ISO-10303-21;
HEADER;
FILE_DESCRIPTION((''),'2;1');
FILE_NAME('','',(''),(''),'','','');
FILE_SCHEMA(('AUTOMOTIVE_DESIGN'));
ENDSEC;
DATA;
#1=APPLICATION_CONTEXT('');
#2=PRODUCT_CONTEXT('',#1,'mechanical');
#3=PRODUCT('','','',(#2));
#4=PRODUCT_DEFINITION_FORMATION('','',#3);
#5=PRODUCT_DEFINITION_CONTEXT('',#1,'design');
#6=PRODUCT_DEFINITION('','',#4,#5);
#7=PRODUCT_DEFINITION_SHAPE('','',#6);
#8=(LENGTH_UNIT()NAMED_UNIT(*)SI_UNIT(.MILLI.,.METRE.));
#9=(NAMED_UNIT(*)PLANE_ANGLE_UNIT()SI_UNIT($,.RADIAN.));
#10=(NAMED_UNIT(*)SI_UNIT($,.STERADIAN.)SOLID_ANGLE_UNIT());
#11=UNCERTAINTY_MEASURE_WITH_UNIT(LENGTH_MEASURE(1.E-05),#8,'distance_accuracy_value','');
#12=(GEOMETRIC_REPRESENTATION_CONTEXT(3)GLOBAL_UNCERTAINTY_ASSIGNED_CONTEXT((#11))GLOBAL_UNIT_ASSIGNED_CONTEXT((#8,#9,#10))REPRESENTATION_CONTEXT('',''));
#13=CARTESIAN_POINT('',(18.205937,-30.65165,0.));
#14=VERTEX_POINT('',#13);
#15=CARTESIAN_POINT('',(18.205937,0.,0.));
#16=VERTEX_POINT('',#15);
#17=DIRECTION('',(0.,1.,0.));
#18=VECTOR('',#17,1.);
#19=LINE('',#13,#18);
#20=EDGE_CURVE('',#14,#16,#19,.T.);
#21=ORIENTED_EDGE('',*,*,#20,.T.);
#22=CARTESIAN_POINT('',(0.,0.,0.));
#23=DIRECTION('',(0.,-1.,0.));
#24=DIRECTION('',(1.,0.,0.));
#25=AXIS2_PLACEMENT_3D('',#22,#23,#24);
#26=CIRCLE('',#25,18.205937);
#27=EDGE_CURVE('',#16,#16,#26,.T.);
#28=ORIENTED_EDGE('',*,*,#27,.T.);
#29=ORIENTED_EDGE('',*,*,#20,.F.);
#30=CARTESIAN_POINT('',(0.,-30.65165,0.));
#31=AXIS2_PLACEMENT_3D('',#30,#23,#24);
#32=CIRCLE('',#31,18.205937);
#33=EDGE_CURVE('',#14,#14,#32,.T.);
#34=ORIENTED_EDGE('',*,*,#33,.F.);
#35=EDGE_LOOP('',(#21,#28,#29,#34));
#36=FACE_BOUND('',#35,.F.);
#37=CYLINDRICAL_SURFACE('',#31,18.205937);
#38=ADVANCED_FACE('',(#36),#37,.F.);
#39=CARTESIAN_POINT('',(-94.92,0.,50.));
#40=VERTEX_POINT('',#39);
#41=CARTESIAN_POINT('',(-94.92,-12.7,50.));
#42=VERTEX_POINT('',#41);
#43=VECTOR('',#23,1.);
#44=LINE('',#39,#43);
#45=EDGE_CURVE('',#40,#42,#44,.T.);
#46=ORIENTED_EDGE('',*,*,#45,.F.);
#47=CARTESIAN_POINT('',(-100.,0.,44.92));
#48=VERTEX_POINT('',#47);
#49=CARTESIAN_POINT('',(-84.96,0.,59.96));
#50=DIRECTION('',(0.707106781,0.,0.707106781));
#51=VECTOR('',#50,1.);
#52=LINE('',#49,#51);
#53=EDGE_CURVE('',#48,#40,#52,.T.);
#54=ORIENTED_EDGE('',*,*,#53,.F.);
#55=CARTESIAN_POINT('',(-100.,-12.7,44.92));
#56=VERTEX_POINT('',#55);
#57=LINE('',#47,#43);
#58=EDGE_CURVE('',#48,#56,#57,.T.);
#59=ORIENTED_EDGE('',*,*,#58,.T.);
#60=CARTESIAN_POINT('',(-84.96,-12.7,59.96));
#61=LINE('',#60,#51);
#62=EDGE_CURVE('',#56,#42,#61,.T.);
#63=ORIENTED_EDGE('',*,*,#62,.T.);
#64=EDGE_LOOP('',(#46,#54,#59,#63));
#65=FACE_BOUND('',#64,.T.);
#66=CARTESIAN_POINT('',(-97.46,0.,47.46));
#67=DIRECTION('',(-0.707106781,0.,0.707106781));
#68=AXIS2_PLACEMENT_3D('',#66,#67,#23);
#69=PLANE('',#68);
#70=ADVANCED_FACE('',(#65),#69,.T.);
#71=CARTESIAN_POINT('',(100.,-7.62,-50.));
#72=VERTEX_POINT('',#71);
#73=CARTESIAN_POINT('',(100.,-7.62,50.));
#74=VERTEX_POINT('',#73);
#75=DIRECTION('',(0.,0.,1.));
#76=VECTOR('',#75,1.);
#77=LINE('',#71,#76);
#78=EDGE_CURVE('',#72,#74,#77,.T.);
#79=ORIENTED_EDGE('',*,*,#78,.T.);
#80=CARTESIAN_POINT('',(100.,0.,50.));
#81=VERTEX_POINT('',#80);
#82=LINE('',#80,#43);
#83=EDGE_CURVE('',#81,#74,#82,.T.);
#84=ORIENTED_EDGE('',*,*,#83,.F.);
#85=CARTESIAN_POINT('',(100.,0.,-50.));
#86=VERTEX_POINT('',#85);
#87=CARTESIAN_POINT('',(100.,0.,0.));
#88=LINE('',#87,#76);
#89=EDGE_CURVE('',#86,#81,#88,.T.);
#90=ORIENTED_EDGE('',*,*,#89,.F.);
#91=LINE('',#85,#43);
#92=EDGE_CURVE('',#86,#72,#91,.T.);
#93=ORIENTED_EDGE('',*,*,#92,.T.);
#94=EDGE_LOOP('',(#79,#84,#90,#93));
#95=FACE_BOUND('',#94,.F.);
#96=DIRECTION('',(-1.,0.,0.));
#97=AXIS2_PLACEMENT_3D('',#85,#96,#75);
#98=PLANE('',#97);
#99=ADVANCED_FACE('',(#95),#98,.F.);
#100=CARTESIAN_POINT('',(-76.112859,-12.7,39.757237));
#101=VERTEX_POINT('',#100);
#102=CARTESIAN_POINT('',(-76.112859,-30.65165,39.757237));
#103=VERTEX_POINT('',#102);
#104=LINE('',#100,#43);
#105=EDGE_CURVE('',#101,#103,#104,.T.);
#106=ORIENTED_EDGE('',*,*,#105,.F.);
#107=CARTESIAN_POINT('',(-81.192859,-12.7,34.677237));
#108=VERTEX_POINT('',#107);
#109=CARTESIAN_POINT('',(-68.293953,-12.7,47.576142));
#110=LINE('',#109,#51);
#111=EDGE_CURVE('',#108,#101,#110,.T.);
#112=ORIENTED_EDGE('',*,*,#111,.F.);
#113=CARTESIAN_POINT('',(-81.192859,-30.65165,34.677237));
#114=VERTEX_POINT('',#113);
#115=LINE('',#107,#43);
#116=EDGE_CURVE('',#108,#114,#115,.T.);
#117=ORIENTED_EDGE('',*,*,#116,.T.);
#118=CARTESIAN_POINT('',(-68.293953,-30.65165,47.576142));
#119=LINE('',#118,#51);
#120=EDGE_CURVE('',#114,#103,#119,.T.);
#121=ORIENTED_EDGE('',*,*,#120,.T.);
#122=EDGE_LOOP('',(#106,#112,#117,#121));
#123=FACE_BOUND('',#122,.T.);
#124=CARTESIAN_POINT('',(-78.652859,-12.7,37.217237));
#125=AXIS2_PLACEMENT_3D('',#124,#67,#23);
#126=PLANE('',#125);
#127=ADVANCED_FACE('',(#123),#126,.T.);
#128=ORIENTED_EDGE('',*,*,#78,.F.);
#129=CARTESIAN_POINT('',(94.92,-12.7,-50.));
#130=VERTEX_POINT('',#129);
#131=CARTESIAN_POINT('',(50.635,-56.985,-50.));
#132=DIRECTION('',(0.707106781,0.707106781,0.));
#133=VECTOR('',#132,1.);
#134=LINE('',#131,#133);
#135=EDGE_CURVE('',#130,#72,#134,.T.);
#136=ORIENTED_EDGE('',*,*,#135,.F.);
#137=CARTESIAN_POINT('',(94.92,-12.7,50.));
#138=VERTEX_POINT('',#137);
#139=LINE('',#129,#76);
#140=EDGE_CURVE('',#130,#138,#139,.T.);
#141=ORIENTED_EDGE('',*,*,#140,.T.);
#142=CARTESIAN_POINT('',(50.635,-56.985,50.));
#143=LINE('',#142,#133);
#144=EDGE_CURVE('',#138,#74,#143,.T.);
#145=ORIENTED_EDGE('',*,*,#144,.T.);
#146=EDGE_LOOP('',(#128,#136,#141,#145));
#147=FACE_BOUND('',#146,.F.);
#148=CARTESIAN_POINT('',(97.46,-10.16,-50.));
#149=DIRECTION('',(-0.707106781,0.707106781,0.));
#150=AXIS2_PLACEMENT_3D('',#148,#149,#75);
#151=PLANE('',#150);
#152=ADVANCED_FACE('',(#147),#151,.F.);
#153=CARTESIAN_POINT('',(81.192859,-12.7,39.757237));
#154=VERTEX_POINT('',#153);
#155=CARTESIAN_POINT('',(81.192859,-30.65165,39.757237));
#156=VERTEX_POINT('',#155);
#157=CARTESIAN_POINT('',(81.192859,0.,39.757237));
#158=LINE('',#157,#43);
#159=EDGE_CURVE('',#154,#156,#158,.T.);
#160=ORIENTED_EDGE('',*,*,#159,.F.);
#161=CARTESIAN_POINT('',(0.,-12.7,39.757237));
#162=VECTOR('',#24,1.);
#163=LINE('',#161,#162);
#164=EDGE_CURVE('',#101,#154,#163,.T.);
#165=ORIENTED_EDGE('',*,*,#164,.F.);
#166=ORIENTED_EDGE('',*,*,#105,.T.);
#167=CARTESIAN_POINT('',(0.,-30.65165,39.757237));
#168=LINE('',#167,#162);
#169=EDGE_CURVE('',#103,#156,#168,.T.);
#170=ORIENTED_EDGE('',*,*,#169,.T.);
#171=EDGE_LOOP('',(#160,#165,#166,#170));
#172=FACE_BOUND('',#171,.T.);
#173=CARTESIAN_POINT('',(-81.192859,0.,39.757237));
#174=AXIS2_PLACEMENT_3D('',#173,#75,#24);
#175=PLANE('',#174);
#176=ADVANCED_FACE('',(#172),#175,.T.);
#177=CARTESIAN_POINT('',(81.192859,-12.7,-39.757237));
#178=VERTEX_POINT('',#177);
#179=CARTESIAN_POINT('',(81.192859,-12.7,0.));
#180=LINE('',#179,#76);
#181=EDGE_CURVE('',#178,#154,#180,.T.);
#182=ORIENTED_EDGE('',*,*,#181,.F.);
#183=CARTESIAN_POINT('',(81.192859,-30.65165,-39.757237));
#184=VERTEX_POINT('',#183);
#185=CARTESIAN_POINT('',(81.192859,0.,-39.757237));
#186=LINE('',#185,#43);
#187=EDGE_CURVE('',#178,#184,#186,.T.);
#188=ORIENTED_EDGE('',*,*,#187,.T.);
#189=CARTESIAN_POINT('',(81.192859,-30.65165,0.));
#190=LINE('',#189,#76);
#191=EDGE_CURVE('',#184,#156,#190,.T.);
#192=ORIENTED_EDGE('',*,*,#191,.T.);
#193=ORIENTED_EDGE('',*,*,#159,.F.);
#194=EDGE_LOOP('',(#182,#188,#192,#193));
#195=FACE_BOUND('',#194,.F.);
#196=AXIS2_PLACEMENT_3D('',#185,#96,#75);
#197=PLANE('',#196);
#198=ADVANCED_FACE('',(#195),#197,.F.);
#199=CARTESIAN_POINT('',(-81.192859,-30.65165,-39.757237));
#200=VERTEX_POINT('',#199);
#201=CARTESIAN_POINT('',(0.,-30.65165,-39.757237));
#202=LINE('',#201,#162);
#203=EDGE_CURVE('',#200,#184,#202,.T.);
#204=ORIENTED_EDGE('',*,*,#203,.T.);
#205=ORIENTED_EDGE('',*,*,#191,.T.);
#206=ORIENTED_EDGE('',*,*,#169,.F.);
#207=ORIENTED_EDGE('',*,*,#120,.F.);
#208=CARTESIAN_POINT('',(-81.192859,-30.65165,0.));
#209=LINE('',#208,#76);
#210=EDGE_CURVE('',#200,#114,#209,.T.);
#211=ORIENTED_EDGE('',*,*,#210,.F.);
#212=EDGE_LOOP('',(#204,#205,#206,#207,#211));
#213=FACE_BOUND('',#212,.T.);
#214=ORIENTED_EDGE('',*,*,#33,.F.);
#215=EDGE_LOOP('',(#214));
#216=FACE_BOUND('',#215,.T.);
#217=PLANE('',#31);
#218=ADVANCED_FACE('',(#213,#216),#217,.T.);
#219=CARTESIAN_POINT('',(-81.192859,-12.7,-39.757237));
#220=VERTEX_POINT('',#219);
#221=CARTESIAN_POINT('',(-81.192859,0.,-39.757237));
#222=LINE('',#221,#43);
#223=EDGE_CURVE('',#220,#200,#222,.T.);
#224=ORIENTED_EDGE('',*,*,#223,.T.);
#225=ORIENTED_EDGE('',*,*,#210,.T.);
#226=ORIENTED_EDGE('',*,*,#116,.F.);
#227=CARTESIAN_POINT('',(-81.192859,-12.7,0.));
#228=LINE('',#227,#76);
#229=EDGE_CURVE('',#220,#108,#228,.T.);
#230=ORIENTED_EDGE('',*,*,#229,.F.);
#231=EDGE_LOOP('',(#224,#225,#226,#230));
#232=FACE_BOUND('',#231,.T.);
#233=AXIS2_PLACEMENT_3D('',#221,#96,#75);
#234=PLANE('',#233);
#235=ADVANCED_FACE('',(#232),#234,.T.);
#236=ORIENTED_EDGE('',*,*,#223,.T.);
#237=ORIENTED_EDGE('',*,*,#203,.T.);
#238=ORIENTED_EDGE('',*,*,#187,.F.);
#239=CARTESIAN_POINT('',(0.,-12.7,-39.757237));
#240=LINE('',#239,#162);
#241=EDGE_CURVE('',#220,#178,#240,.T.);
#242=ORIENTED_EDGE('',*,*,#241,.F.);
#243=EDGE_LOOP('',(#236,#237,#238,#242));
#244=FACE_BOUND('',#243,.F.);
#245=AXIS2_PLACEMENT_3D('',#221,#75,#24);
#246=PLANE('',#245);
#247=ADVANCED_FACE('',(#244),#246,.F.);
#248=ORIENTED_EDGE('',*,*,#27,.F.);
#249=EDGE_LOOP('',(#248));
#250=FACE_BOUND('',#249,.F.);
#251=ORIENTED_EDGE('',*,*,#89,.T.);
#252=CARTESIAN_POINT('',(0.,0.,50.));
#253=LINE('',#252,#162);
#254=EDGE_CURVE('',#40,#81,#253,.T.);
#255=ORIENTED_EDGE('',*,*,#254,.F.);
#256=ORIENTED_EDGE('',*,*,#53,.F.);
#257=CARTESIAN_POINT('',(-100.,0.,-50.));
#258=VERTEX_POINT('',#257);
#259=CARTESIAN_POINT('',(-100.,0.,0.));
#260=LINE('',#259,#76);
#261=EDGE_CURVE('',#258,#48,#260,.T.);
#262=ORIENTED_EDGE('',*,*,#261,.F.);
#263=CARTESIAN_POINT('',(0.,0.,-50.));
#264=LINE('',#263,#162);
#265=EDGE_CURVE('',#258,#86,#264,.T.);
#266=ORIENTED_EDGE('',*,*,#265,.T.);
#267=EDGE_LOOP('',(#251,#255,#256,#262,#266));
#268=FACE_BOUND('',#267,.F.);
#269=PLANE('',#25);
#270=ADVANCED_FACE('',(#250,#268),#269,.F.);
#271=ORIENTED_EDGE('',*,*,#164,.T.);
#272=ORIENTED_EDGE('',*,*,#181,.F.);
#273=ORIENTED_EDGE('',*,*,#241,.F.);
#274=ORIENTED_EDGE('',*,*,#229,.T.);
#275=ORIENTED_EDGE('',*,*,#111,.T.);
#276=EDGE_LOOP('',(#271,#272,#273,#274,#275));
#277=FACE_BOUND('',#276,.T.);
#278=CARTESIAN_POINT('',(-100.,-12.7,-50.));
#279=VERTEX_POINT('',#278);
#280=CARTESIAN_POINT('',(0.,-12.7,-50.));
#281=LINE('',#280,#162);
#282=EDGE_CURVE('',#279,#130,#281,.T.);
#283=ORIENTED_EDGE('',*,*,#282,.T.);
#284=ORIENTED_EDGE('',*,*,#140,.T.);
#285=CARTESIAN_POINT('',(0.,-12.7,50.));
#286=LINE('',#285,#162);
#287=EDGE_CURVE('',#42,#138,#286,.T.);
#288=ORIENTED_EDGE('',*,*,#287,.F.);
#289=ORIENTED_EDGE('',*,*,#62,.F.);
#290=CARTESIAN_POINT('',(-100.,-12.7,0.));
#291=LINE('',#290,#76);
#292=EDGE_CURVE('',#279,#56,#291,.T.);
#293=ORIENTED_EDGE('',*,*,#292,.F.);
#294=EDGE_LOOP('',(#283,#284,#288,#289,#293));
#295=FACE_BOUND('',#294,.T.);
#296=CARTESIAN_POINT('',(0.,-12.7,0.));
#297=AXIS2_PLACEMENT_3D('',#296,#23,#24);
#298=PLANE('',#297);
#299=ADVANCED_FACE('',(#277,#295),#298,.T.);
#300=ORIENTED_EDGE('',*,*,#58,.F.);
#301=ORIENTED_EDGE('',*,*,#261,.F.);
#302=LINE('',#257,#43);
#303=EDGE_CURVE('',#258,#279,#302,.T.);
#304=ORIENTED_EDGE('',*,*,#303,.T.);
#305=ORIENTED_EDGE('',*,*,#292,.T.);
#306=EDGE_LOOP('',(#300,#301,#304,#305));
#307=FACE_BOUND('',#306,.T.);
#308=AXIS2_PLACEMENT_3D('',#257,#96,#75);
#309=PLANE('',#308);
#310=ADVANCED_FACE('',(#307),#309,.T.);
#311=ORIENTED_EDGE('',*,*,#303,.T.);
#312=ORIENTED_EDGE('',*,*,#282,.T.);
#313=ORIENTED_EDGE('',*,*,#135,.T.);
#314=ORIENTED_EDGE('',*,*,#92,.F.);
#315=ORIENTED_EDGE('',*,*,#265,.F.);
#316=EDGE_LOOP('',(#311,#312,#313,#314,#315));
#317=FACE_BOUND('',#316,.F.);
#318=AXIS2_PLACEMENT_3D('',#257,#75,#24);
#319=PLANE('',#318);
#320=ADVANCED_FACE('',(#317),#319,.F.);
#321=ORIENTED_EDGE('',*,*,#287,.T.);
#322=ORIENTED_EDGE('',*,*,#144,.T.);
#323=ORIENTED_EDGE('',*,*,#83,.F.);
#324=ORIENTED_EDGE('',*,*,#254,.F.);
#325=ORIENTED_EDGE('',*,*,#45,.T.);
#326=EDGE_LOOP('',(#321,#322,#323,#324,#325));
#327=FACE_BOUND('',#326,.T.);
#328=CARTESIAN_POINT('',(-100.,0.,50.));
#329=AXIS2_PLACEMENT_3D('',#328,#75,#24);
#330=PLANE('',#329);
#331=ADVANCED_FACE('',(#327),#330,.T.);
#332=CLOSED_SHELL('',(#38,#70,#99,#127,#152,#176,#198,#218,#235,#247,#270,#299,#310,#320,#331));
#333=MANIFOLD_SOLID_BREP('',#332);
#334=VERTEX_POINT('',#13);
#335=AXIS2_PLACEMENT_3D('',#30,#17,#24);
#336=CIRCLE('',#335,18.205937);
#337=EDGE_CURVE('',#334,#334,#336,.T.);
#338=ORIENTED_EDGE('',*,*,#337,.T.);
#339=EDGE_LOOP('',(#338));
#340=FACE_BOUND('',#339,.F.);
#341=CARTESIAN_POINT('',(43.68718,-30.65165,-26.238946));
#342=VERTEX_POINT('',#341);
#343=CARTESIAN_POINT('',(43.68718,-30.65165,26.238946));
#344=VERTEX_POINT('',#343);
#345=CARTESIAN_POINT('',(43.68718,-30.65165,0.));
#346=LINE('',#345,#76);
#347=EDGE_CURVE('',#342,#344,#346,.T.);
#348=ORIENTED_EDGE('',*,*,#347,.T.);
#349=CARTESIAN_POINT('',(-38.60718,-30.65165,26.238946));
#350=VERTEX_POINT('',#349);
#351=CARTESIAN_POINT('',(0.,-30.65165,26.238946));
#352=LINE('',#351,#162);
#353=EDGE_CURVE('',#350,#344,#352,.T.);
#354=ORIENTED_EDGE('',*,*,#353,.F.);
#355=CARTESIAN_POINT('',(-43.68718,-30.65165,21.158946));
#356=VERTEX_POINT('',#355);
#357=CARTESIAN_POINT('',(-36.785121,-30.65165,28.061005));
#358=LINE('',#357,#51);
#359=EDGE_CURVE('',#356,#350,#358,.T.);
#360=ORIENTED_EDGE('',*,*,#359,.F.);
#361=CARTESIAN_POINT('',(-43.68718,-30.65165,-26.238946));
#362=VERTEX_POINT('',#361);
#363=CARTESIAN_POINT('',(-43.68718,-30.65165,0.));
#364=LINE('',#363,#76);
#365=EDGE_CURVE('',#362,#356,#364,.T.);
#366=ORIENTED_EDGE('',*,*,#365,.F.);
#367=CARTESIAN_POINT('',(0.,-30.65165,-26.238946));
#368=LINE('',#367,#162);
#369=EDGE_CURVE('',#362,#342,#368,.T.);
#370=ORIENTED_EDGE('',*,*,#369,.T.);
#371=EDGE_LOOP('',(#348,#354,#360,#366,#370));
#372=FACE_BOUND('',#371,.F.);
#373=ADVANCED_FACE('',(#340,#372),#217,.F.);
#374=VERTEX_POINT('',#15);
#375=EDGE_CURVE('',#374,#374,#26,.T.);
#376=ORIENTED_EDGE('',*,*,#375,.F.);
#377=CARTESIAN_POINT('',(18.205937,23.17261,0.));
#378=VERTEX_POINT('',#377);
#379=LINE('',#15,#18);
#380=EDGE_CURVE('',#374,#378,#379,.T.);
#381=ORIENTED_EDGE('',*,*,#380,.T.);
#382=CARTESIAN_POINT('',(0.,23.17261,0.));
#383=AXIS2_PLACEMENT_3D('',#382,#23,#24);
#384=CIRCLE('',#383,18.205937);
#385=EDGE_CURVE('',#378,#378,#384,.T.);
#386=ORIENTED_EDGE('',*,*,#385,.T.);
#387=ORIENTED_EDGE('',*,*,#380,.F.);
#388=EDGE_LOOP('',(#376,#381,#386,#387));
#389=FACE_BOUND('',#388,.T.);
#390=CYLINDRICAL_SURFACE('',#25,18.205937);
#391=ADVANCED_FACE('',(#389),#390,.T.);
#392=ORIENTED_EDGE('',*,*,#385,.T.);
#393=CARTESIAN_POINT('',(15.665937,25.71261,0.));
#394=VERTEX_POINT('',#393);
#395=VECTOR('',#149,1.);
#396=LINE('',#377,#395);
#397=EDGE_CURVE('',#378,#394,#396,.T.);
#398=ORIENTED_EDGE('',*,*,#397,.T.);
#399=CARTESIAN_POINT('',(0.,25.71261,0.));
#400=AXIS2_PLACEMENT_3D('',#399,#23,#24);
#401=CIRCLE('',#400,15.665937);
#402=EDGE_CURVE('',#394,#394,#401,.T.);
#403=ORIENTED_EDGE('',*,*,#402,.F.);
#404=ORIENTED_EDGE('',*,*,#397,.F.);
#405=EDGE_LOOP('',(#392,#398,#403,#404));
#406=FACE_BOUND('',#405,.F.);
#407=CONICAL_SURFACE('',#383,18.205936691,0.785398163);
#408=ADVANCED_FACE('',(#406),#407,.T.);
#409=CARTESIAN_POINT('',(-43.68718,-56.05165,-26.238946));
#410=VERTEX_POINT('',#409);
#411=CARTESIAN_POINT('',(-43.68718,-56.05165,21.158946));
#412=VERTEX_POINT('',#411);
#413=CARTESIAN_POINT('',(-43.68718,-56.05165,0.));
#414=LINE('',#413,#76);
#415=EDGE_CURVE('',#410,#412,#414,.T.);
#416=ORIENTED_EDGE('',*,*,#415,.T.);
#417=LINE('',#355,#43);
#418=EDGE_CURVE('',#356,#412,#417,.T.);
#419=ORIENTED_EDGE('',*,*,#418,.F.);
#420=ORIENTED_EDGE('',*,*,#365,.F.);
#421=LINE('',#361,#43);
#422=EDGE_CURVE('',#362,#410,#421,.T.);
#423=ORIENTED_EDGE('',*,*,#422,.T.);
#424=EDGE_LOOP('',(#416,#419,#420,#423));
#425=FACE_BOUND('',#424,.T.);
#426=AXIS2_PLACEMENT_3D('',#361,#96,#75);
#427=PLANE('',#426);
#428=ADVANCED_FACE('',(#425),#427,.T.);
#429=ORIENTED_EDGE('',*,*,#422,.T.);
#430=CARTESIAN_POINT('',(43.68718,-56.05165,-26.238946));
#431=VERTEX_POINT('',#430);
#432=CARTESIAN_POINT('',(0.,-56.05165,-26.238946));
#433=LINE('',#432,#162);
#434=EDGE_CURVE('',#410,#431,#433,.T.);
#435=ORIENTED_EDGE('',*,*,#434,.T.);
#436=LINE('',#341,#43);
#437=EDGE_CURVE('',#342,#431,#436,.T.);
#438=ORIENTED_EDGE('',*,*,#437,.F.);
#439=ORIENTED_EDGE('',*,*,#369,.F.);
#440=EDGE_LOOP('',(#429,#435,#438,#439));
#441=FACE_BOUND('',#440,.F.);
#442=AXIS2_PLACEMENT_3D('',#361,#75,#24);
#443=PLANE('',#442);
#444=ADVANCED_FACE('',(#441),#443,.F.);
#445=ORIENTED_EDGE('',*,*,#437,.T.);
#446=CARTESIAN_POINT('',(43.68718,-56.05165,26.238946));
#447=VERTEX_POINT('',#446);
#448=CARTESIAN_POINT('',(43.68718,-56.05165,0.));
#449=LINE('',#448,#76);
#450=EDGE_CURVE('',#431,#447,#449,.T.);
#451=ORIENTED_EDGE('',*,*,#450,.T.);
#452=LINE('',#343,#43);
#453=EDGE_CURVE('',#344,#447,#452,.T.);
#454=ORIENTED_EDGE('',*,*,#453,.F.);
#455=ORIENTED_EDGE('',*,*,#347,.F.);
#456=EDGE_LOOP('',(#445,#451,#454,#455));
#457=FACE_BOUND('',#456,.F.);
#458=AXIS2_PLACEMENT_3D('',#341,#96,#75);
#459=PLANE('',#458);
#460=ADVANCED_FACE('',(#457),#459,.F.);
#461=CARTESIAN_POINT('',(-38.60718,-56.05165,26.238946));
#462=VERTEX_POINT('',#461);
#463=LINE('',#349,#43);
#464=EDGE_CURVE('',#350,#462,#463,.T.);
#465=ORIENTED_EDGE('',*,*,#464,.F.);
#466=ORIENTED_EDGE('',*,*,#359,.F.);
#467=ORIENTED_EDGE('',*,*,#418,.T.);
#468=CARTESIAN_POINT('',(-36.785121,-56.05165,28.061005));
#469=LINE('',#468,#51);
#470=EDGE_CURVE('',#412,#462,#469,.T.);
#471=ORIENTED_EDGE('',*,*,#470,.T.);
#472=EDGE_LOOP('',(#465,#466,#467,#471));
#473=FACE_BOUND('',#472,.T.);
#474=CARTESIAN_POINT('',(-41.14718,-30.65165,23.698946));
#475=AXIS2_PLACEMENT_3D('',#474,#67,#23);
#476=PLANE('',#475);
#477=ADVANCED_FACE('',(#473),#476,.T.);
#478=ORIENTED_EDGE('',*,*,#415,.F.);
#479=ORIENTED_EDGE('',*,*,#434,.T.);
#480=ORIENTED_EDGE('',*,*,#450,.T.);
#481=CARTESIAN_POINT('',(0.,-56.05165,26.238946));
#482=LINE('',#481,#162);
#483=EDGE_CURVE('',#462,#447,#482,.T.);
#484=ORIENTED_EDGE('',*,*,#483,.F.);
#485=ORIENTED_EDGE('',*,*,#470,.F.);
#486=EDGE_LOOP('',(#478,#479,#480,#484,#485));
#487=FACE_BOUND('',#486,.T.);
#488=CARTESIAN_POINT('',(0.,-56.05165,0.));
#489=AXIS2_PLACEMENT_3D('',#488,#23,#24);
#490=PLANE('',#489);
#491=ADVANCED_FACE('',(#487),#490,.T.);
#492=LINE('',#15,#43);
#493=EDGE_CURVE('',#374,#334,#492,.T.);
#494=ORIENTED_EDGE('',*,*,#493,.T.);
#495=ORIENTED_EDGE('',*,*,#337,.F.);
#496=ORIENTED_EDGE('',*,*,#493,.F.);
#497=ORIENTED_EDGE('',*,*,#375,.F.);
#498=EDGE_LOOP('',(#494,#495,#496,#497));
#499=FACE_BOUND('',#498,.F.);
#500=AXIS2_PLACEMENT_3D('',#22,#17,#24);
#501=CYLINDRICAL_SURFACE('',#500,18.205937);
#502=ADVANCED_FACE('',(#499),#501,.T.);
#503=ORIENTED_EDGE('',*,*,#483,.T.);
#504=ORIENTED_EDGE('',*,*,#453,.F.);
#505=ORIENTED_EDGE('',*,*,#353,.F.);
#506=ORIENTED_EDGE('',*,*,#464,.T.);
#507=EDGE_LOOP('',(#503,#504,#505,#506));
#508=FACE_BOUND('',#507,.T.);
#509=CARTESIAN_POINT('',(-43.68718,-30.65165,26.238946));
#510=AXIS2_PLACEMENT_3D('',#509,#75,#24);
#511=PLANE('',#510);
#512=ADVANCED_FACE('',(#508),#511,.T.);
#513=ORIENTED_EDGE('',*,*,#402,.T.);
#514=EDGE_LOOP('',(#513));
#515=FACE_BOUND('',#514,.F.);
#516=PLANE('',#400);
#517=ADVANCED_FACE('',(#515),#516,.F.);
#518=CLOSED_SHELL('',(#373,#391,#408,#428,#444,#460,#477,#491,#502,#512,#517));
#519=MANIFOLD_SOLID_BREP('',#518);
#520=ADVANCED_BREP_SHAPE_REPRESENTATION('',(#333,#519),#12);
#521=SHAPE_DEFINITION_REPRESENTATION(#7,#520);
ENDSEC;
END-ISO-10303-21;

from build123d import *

# Parameters (mm, degrees)
F0_W       = 200
F0_H       = 100
F0_W_2     = 162.3857170343
F0_H_2     = 79.5144736767
F1_DEPTH   = 12.7
F2_DEPTH   = 30.65165
F3_R       = 18.2059366906
F4_DEPTH   = 77.93234
F5_W       = 87.3743593693
F5_H       = 52.4778924882
F6_DEPTH   = 25.4
F7_R       = 18.2059366906
F8_DEPTH   = 25.71261
F9_R       = 18.2059366906
F10_DEPTH  = 33.7499
F11_SIZE   = 5.08
F11_2_SIZE = 5.08
F12_SIZE   = 2.54


with BuildPart() as f1:
    # F0 (on Front) → F1 (new body)
    with BuildSketch(Plane.XZ):
        Rectangle(F0_W, F0_H)
        Rectangle(F0_W_2, F0_H_2, mode=Mode.SUBTRACT)
    extrude(amount=F1_DEPTH)

    # F0 (on Front) → F2 (join)
    with BuildSketch(Plane.XZ):
        Rectangle(F0_W_2, F0_H_2)
    extrude(amount=F2_DEPTH)

    # F3 (on face) → F4 (cut)
    with BuildSketch(Plane.XZ.offset(30.65165)):
        Circle(F3_R)
    extrude(amount=-F4_DEPTH, mode=Mode.SUBTRACT)

    # F11#2
    f11_2_edges = [f1.edges().sort_by_distance(p)[0] for p in [
        (100, -12.7, 0),
        (-81.192859, -21.675825, 39.757237),
        (-100, -6.35, 50),
    ]]
    chamfer(f11_2_edges, length=F11_2_SIZE)


with BuildPart() as f6:
    # F5 (on face) → F6 (new body)
    with BuildSketch(Plane.XZ.offset(30.65165)):
        Rectangle(F5_W, F5_H)
    extrude(amount=F6_DEPTH)



with BuildPart() as f8:
    # F7 (on face) → F8 (new body)
    with BuildSketch(Plane.XZ):
        Circle(F7_R)
    extrude(amount=-F8_DEPTH)


with BuildPart() as f6_1:
    add(f6.part)

    add(f8.part)  # F10 merges F8
    # F9 (on face) → F10 (join)
    with BuildSketch(Plane.XZ):
        Circle(F9_R)
    extrude(amount=F10_DEPTH)

    # F11
    f11_edges = [f6_1.edges().sort_by_distance(p)[0] for p in [
        (-43.68718, -43.35165, 26.238946),
    ]]
    chamfer(f11_edges, length=F11_SIZE)

    # F12
    f12_edges = [f6_1.edges().sort_by_distance(p)[0] for p in [
        (-18.205937, 25.71261, 0),
    ]]
    chamfer(f12_edges, length=F12_SIZE)


solid = Compound([f1.part, f6_1.part])
